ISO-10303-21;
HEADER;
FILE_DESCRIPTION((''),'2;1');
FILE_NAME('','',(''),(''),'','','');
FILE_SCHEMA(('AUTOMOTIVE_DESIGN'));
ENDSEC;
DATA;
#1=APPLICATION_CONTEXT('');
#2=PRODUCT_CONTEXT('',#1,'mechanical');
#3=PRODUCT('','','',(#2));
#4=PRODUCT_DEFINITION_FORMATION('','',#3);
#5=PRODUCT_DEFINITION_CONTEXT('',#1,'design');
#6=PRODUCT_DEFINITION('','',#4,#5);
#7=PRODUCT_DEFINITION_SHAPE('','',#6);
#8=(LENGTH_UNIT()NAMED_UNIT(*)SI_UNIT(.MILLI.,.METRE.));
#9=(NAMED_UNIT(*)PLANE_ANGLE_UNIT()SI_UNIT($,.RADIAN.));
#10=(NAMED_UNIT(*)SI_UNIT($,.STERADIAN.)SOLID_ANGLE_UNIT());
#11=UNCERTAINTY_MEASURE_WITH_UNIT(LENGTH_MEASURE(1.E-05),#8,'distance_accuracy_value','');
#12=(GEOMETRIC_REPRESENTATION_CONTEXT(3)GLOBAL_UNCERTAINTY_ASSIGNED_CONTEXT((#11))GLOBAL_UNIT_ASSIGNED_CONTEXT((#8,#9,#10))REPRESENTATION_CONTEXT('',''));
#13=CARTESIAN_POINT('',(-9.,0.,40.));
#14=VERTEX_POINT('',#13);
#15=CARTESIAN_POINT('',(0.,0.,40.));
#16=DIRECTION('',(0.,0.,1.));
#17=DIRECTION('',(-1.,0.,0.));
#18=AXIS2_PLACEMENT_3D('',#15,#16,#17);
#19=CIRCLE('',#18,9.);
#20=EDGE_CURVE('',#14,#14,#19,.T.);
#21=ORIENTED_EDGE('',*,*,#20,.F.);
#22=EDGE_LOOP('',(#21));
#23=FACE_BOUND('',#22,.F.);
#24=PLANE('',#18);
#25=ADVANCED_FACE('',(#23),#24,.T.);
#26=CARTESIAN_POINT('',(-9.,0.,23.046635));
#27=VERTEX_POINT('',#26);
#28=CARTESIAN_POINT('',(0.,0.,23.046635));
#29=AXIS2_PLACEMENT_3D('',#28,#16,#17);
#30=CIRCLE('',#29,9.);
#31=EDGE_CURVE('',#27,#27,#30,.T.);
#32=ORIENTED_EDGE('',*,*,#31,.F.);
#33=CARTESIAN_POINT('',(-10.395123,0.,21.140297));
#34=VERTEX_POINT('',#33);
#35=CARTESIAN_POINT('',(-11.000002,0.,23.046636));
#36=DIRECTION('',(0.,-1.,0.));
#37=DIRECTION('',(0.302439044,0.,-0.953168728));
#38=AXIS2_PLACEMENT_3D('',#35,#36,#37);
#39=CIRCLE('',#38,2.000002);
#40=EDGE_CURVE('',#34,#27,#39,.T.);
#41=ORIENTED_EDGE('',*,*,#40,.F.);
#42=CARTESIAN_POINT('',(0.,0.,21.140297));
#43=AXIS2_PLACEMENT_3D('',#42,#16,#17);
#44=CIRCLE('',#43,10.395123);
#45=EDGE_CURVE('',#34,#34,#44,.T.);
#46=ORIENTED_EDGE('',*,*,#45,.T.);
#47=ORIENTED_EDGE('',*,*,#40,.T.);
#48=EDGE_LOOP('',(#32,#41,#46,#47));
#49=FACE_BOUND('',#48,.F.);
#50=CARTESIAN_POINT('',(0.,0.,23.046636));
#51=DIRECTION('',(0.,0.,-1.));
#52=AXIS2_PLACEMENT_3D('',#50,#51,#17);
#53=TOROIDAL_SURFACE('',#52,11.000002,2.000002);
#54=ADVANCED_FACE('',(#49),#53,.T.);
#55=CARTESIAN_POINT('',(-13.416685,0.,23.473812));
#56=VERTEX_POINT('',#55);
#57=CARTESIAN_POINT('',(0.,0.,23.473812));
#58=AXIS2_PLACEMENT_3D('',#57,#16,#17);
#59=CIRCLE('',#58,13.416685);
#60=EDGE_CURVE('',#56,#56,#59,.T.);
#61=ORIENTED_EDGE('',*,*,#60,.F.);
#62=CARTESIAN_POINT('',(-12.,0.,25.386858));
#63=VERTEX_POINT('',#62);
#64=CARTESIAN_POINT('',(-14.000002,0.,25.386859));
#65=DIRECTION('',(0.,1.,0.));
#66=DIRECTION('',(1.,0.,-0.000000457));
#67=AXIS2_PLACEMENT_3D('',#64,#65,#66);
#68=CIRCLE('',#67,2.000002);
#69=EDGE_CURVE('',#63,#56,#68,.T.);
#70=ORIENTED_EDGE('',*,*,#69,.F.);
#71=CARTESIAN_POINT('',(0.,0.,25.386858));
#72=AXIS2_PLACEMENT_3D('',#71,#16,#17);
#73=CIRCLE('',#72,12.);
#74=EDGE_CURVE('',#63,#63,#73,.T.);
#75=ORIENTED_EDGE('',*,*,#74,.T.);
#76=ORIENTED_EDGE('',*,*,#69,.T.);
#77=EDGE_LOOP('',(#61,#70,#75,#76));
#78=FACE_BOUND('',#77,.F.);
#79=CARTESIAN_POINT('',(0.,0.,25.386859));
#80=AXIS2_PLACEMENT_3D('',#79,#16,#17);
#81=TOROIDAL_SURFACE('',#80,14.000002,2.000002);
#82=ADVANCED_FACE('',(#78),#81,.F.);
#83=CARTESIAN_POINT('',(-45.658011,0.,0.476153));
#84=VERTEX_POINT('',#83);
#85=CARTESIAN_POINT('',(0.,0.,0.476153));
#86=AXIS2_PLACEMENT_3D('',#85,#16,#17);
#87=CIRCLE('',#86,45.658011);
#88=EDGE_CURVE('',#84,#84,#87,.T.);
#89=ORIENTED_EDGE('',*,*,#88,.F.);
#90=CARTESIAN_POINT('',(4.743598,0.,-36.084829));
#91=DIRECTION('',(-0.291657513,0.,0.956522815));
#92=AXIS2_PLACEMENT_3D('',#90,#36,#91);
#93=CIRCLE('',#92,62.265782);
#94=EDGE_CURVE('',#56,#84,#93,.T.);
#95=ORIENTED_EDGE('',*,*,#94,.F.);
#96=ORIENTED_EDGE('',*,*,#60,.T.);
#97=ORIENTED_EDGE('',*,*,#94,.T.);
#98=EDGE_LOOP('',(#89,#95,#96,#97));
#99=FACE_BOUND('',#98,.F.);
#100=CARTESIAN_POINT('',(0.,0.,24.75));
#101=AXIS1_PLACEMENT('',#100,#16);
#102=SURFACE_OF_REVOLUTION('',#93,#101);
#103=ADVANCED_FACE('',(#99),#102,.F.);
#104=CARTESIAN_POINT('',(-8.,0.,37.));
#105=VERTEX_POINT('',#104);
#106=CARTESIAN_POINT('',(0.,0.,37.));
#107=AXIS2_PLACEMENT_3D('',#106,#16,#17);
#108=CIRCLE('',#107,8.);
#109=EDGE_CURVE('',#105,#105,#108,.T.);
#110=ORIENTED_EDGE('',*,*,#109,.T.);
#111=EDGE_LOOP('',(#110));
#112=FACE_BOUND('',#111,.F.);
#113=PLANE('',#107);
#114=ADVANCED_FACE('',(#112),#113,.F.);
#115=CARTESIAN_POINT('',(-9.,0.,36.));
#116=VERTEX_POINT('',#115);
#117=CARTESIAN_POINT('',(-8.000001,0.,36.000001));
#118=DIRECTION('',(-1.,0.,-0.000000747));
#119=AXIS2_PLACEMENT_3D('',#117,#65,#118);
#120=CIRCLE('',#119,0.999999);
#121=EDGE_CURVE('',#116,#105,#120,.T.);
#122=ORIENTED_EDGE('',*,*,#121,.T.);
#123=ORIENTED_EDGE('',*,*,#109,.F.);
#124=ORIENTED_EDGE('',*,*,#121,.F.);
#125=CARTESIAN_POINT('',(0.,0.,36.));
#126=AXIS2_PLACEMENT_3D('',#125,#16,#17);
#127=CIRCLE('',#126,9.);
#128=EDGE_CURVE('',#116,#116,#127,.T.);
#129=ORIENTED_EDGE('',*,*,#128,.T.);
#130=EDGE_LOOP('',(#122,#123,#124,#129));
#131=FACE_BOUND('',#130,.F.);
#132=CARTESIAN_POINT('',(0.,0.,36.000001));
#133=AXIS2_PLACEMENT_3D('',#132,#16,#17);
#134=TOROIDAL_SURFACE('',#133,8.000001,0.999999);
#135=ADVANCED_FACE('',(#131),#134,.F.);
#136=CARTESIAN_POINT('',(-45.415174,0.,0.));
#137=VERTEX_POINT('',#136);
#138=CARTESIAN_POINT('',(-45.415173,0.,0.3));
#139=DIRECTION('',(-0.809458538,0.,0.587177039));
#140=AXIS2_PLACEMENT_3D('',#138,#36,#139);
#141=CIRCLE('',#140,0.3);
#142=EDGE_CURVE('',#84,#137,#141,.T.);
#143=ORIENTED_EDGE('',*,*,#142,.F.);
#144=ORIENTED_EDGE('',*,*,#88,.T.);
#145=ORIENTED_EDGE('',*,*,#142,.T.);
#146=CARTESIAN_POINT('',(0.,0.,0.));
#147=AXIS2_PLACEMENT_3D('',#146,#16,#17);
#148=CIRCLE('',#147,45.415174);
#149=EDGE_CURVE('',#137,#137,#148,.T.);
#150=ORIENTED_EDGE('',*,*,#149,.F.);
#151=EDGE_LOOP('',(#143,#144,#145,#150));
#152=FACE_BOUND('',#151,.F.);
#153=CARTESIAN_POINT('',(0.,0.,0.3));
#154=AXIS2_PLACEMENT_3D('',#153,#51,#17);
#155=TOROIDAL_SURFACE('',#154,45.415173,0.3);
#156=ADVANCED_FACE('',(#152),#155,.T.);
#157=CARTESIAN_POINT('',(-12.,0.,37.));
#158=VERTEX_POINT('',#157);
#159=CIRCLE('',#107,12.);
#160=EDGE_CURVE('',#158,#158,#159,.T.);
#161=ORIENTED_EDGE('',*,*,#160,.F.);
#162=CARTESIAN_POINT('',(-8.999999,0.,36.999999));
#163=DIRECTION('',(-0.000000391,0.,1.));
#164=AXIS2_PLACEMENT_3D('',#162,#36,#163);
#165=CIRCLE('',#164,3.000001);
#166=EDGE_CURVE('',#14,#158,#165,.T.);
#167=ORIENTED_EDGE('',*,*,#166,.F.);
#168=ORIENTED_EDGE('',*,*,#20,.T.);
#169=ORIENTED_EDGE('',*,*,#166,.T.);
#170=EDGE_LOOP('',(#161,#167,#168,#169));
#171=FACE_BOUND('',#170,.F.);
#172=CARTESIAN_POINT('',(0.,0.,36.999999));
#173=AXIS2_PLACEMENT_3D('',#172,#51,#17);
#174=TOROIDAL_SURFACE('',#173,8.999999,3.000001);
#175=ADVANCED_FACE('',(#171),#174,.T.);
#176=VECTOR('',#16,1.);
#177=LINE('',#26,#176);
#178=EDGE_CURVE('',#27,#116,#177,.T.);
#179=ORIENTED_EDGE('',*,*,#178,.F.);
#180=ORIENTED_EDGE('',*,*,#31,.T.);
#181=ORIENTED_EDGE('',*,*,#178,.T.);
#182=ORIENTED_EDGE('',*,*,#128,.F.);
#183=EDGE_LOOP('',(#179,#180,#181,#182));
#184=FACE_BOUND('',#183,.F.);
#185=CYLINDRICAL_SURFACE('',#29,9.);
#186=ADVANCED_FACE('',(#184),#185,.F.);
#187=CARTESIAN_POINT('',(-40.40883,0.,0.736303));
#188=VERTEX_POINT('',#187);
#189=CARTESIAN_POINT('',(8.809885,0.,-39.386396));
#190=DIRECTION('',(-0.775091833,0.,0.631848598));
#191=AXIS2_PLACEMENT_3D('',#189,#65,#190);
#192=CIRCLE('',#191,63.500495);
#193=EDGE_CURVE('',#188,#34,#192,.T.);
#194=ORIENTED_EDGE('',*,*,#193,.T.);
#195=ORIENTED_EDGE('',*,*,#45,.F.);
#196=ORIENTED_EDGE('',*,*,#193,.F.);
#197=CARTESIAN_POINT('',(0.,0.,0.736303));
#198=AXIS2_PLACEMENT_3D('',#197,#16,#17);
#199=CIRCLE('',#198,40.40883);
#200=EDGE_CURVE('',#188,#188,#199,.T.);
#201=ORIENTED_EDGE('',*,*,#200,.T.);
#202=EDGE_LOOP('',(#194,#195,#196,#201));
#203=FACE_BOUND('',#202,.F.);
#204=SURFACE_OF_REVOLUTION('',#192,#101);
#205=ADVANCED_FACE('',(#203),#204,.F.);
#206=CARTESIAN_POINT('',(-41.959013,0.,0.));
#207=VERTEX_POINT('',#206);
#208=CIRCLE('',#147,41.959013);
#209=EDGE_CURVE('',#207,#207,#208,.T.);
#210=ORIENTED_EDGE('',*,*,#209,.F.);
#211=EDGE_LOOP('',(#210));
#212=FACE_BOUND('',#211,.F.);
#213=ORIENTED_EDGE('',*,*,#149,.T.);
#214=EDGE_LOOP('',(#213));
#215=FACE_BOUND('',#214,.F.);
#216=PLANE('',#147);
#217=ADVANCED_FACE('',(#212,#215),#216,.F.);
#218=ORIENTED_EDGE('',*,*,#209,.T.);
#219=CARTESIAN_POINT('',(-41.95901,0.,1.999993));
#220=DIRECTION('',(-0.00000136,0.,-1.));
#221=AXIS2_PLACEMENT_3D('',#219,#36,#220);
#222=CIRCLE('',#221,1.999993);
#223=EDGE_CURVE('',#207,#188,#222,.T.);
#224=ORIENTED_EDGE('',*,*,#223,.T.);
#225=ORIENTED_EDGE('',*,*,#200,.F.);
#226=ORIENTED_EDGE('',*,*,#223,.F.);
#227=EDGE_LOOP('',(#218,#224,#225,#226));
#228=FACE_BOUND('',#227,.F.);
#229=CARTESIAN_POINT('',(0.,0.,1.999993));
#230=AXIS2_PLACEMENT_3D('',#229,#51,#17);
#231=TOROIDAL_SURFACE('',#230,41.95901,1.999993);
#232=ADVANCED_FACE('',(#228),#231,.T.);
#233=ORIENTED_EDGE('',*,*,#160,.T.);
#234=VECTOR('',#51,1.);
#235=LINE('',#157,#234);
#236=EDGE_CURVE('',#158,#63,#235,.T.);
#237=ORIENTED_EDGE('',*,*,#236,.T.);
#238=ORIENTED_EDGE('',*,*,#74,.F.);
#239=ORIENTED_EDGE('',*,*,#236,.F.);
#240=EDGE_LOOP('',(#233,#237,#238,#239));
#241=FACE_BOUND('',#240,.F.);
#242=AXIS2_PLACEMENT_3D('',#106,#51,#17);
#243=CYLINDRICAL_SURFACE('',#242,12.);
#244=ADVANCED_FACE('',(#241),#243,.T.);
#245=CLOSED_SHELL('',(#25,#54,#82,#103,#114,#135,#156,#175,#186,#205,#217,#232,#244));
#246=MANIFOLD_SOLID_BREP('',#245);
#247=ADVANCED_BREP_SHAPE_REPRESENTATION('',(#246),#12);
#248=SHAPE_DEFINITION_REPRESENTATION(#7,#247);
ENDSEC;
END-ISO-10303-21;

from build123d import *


with BuildPart() as f1:
    # F0 (on Front) → F1 (revolve)
    with BuildSketch(Plane.XZ):
        with BuildLine():
            ThreePointArc((-12, 25.386858), (-12.392731, 24.196612), (-13.416685, 23.473812))
            ThreePointArc((-13.416685, 23.473812), (-31.414476, 14.606603), (-45.658011, 0.476153))
            ThreePointArc((-45.658011, 0.476153), (-45.682424, 0.163702), (-45.415174, 0))
            Line((-45.415174, 0), (-41.959013, 0))
            ThreePointArc((-41.959013, 0), (-41.100932, 0.193429), (-40.40883, 0.736303))
            ThreePointArc((-40.40883, 0.736303), (-26.890706, 13.12818), (-10.395123, 21.140297))
            ThreePointArc((-10.395123, 21.140297), (-9.386037, 21.865482), (-9, 23.046635))
            Line((-9, 23.046635), (-9, 26))
            Line((-9, 26), (-12, 26))
            Line((-12, 26), (-12, 25.386858))
        make_face()
        with BuildLine():
            Line((-12, 37), (-12, 26))
            Line((-12, 26), (-9, 26))
            Line((-9, 26), (-9, 36))
            ThreePointArc((-9, 36), (-8.707107, 36.707107), (-8, 37))
            Line((-8, 37), (0, 37))
            Line((0, 37), (0, 40))
            Line((0, 40), (-9, 40))
            ThreePointArc((-9, 40), (-11.12132, 39.12132), (-12, 37))
        make_face()
    revolve(axis=Axis((0, 0, 24.75), (0, 0, 1)))


solid = f1.part
